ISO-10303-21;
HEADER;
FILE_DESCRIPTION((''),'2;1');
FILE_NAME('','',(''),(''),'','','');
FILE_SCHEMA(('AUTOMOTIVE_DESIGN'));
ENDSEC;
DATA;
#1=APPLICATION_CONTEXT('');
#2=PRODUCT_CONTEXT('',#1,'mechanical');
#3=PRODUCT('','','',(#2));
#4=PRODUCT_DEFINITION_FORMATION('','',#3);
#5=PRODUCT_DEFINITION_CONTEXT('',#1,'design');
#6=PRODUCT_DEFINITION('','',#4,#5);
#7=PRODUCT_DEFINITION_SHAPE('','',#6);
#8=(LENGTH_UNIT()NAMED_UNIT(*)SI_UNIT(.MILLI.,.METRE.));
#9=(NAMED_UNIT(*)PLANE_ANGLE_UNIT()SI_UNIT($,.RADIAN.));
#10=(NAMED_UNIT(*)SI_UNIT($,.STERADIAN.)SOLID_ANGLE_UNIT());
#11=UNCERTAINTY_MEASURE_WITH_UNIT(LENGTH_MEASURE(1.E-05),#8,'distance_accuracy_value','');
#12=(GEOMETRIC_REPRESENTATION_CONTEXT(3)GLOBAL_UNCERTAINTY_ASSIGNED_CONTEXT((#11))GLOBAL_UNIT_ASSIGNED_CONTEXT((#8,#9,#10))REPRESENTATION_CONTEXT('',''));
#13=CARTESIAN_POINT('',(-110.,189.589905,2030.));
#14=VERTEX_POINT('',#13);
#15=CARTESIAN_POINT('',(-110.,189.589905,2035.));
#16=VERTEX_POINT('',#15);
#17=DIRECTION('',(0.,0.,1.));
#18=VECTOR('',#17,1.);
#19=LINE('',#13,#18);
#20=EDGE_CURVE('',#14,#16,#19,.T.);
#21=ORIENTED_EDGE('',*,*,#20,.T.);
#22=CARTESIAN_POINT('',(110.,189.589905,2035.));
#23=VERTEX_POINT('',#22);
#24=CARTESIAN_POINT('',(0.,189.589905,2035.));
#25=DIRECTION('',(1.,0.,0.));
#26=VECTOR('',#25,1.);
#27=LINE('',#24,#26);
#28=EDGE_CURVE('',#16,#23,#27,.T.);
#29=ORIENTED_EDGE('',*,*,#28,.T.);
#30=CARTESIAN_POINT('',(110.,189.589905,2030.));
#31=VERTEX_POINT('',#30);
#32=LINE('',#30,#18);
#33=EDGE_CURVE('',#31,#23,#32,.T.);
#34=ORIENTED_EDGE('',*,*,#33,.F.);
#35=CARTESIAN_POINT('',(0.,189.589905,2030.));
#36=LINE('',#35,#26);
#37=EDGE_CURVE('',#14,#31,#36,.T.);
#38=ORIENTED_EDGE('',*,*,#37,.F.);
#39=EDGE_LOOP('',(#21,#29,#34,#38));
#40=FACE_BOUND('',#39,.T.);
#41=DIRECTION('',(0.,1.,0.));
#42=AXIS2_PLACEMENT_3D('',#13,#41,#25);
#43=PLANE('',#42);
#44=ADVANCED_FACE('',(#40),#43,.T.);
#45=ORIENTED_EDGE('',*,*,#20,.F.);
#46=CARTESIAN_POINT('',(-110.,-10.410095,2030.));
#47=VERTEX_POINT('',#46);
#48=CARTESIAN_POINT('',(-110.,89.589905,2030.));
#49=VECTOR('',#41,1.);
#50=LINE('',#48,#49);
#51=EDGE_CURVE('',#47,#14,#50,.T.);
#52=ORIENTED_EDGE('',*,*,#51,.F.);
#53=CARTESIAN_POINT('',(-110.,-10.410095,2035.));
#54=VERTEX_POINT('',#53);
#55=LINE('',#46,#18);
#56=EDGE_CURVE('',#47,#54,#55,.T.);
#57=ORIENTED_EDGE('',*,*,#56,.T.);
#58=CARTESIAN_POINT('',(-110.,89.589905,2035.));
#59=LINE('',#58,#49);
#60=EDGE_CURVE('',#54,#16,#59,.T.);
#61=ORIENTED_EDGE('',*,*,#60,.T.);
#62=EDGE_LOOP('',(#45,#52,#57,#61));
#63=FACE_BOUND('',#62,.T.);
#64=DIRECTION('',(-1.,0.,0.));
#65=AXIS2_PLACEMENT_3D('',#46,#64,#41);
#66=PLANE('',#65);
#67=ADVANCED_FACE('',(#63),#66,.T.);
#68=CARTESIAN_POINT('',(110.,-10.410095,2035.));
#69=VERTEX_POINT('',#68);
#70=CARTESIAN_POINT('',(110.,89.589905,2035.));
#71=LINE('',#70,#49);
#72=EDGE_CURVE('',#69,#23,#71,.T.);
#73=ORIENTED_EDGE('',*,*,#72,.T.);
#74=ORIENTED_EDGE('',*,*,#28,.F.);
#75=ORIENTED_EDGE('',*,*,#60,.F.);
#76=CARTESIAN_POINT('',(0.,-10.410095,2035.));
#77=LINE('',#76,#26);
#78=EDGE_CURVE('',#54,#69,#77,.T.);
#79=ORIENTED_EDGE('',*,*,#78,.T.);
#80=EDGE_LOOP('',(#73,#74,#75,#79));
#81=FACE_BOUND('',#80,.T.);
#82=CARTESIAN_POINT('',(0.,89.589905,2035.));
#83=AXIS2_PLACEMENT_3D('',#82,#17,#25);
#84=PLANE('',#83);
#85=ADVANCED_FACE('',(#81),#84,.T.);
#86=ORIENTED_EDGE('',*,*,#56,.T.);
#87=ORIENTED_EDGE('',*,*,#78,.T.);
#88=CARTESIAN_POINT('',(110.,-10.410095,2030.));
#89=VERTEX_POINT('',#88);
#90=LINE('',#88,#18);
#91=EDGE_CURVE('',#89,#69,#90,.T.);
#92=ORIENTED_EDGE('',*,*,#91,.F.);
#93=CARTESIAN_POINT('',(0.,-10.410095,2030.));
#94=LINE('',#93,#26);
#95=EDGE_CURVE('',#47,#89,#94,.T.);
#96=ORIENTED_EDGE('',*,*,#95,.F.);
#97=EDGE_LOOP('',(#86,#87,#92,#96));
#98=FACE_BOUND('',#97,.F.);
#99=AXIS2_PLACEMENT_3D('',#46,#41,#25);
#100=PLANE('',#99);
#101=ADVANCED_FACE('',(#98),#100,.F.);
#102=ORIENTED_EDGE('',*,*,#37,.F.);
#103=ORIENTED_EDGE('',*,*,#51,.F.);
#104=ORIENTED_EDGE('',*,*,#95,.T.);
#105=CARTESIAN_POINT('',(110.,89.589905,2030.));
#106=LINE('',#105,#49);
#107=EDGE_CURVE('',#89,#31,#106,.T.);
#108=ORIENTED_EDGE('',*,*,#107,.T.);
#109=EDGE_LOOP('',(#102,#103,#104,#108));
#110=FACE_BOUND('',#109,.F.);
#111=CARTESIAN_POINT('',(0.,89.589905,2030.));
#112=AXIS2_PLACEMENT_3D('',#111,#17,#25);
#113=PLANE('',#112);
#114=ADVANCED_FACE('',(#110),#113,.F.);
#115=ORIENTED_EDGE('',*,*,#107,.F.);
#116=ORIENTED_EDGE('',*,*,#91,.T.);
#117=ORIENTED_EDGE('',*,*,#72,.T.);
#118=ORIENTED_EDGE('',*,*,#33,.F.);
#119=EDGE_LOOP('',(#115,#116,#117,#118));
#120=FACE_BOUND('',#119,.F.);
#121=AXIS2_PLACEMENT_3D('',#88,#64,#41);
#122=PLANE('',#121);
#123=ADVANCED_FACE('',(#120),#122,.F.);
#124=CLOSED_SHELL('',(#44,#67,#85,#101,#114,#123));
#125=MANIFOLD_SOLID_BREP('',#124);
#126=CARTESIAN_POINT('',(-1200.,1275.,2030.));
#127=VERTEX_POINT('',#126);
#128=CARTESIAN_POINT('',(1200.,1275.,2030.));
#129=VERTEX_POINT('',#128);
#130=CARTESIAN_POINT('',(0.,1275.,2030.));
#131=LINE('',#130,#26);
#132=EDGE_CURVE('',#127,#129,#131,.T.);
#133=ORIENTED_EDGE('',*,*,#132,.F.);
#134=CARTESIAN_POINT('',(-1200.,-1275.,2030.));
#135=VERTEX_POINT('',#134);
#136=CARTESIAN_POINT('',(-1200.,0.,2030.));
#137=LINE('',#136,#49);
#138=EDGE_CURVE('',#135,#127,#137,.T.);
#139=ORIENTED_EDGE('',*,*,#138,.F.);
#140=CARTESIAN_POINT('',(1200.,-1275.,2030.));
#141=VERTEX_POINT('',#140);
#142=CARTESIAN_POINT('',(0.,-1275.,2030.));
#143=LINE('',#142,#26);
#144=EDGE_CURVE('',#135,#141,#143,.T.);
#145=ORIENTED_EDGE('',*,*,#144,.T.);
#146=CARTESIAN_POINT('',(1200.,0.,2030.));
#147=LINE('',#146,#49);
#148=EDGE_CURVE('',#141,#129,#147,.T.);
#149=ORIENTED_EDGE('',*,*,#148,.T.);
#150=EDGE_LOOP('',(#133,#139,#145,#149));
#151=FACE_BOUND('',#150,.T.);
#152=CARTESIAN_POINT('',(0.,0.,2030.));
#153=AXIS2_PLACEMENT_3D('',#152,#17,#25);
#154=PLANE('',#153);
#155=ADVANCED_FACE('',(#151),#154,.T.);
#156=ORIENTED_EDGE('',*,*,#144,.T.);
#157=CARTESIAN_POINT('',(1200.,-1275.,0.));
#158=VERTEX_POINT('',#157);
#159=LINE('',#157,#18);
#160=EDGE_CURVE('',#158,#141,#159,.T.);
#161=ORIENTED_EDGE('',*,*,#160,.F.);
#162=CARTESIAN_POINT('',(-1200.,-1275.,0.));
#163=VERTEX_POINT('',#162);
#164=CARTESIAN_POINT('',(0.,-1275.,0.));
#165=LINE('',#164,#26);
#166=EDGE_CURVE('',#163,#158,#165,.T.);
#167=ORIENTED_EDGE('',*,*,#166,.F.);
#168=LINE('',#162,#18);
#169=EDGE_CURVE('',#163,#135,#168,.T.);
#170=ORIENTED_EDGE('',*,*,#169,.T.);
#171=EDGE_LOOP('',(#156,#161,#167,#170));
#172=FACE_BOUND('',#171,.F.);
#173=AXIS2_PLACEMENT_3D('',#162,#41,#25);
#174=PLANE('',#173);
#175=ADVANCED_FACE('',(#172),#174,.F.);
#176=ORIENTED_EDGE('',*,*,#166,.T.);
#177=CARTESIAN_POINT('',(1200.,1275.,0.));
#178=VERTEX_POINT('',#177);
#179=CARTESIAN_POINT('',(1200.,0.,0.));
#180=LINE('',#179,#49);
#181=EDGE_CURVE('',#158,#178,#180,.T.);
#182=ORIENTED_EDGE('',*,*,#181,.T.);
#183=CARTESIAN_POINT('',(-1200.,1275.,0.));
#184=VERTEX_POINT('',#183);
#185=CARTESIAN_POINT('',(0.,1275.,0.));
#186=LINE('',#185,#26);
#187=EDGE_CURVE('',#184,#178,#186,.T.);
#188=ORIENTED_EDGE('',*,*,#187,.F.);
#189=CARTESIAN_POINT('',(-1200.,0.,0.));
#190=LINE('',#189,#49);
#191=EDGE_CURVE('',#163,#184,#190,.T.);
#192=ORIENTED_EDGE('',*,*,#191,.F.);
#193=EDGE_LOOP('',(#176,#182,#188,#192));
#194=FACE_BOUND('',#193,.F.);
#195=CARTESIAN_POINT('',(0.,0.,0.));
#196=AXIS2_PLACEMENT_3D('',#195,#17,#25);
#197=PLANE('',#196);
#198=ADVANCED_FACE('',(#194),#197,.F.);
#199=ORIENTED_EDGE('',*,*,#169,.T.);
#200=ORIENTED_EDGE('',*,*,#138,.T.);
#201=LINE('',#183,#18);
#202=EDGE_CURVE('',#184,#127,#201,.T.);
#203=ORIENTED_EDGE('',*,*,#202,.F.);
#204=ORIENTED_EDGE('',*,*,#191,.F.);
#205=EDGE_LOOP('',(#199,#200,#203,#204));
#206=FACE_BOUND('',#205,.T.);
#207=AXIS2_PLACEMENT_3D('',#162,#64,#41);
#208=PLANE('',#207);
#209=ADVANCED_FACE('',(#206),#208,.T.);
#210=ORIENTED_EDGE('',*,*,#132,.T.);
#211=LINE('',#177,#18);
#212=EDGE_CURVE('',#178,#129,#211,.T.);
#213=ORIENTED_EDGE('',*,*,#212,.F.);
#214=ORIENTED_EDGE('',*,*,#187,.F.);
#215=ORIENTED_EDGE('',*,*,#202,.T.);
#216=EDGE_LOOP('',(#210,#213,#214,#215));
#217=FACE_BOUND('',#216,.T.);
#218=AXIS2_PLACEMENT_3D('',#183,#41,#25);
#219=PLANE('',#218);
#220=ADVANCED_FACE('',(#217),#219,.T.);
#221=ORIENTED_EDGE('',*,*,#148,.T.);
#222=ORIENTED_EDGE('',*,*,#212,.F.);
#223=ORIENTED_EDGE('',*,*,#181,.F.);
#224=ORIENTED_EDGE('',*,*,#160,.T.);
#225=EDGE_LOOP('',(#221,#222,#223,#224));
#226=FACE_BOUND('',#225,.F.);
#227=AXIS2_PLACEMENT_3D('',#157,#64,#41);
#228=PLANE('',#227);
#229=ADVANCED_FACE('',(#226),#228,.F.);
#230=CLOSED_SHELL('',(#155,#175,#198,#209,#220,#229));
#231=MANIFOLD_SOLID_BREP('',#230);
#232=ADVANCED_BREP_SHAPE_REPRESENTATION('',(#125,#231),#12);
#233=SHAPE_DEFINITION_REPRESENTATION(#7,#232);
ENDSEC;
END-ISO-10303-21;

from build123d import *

# Parameters (mm, degrees)
F0_W     = 2400
F0_H     = 2550
F2_DEPTH = 2030
F1_W     = 220
F1_H     = 200
F3_DEPTH = 5


with BuildPart() as f2:
    # F0 (on Top) → F2 (new body)
    with BuildSketch(Plane.XY):
        Rectangle(F0_W, F0_H)
    extrude(amount=F2_DEPTH)


with BuildPart() as f3:
    # F1 (on face) → F3 (new body)
    with BuildSketch(Plane.XY.offset(2030)):
        with Locations((0, 89.589905)):
            Rectangle(F1_W, F1_H)
    extrude(amount=F3_DEPTH)


solid = Compound([f2.part, f3.part])
